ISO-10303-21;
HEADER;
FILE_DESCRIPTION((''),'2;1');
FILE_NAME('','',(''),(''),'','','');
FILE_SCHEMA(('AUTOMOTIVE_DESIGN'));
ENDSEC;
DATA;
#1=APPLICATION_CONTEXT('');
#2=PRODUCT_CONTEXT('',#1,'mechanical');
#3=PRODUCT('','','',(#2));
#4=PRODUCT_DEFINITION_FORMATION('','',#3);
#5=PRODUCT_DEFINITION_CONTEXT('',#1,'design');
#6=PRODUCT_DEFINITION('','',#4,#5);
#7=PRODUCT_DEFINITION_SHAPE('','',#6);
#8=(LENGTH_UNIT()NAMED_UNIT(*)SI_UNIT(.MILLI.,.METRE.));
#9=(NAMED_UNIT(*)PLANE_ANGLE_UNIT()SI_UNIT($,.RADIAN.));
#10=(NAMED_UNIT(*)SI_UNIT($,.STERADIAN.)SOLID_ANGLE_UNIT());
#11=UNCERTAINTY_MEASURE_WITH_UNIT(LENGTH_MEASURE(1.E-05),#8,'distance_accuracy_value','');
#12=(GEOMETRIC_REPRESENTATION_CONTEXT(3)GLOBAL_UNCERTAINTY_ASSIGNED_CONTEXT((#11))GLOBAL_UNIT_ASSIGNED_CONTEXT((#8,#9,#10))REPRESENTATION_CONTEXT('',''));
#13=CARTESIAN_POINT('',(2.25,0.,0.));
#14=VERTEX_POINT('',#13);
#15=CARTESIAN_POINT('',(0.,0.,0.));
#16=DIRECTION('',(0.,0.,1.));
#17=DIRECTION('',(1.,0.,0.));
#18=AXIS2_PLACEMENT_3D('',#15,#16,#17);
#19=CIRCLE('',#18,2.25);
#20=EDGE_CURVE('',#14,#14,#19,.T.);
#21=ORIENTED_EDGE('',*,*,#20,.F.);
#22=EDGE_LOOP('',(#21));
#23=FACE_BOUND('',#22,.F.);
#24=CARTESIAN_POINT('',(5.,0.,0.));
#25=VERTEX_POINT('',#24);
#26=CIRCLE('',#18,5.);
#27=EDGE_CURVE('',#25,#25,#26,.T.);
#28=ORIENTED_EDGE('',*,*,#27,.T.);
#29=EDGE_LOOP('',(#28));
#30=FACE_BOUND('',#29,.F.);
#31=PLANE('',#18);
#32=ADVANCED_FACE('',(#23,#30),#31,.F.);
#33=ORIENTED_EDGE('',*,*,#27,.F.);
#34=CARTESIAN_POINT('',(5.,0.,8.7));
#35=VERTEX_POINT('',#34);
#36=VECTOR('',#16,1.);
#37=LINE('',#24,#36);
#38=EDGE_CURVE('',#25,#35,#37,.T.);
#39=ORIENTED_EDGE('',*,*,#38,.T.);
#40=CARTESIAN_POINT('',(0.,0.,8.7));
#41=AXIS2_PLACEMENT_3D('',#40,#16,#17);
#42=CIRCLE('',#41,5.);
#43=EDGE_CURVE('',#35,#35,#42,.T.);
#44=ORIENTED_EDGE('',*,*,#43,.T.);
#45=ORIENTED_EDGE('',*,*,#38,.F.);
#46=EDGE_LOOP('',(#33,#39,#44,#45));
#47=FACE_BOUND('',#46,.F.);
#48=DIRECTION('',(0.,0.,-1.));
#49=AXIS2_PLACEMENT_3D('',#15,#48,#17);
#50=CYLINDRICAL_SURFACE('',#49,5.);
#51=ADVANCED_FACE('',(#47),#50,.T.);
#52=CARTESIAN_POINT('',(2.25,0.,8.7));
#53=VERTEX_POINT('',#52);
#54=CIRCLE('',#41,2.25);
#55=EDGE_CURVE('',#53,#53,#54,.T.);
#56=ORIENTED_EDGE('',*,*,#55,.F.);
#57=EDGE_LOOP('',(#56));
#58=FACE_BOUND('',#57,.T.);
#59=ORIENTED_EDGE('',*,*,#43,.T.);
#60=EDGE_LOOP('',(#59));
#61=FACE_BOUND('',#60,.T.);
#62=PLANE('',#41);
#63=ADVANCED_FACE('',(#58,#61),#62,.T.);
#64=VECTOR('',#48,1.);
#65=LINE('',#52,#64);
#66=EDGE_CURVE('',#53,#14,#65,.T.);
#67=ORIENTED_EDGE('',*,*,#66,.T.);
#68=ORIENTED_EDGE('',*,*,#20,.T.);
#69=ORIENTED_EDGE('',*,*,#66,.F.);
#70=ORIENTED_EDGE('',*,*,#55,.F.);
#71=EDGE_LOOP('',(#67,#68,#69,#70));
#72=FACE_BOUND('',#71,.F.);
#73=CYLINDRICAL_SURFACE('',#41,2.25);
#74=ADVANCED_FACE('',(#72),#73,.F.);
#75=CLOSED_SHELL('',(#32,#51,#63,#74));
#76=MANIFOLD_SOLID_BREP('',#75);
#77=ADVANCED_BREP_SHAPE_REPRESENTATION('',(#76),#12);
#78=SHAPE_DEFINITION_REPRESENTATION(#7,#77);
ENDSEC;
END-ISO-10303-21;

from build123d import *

# Parameters (mm, degrees)
SKETCH_R     = 5
PAD_DEPTH    = 8.7
SKETCH001_R  = 2.25
POCKET_DEPTH = 8.701


with BuildPart() as part:
    # Sketch → Pad (new body)
    with BuildSketch(Plane.XY):
        Circle(SKETCH_R)
    extrude(amount=PAD_DEPTH)

    # Sketch001 → Pocket (cut, through all)
    with BuildSketch(Plane.XY.offset(8.7)):
        Circle(SKETCH001_R)
    extrude(amount=-POCKET_DEPTH, mode=Mode.SUBTRACT)


solid = part.part
